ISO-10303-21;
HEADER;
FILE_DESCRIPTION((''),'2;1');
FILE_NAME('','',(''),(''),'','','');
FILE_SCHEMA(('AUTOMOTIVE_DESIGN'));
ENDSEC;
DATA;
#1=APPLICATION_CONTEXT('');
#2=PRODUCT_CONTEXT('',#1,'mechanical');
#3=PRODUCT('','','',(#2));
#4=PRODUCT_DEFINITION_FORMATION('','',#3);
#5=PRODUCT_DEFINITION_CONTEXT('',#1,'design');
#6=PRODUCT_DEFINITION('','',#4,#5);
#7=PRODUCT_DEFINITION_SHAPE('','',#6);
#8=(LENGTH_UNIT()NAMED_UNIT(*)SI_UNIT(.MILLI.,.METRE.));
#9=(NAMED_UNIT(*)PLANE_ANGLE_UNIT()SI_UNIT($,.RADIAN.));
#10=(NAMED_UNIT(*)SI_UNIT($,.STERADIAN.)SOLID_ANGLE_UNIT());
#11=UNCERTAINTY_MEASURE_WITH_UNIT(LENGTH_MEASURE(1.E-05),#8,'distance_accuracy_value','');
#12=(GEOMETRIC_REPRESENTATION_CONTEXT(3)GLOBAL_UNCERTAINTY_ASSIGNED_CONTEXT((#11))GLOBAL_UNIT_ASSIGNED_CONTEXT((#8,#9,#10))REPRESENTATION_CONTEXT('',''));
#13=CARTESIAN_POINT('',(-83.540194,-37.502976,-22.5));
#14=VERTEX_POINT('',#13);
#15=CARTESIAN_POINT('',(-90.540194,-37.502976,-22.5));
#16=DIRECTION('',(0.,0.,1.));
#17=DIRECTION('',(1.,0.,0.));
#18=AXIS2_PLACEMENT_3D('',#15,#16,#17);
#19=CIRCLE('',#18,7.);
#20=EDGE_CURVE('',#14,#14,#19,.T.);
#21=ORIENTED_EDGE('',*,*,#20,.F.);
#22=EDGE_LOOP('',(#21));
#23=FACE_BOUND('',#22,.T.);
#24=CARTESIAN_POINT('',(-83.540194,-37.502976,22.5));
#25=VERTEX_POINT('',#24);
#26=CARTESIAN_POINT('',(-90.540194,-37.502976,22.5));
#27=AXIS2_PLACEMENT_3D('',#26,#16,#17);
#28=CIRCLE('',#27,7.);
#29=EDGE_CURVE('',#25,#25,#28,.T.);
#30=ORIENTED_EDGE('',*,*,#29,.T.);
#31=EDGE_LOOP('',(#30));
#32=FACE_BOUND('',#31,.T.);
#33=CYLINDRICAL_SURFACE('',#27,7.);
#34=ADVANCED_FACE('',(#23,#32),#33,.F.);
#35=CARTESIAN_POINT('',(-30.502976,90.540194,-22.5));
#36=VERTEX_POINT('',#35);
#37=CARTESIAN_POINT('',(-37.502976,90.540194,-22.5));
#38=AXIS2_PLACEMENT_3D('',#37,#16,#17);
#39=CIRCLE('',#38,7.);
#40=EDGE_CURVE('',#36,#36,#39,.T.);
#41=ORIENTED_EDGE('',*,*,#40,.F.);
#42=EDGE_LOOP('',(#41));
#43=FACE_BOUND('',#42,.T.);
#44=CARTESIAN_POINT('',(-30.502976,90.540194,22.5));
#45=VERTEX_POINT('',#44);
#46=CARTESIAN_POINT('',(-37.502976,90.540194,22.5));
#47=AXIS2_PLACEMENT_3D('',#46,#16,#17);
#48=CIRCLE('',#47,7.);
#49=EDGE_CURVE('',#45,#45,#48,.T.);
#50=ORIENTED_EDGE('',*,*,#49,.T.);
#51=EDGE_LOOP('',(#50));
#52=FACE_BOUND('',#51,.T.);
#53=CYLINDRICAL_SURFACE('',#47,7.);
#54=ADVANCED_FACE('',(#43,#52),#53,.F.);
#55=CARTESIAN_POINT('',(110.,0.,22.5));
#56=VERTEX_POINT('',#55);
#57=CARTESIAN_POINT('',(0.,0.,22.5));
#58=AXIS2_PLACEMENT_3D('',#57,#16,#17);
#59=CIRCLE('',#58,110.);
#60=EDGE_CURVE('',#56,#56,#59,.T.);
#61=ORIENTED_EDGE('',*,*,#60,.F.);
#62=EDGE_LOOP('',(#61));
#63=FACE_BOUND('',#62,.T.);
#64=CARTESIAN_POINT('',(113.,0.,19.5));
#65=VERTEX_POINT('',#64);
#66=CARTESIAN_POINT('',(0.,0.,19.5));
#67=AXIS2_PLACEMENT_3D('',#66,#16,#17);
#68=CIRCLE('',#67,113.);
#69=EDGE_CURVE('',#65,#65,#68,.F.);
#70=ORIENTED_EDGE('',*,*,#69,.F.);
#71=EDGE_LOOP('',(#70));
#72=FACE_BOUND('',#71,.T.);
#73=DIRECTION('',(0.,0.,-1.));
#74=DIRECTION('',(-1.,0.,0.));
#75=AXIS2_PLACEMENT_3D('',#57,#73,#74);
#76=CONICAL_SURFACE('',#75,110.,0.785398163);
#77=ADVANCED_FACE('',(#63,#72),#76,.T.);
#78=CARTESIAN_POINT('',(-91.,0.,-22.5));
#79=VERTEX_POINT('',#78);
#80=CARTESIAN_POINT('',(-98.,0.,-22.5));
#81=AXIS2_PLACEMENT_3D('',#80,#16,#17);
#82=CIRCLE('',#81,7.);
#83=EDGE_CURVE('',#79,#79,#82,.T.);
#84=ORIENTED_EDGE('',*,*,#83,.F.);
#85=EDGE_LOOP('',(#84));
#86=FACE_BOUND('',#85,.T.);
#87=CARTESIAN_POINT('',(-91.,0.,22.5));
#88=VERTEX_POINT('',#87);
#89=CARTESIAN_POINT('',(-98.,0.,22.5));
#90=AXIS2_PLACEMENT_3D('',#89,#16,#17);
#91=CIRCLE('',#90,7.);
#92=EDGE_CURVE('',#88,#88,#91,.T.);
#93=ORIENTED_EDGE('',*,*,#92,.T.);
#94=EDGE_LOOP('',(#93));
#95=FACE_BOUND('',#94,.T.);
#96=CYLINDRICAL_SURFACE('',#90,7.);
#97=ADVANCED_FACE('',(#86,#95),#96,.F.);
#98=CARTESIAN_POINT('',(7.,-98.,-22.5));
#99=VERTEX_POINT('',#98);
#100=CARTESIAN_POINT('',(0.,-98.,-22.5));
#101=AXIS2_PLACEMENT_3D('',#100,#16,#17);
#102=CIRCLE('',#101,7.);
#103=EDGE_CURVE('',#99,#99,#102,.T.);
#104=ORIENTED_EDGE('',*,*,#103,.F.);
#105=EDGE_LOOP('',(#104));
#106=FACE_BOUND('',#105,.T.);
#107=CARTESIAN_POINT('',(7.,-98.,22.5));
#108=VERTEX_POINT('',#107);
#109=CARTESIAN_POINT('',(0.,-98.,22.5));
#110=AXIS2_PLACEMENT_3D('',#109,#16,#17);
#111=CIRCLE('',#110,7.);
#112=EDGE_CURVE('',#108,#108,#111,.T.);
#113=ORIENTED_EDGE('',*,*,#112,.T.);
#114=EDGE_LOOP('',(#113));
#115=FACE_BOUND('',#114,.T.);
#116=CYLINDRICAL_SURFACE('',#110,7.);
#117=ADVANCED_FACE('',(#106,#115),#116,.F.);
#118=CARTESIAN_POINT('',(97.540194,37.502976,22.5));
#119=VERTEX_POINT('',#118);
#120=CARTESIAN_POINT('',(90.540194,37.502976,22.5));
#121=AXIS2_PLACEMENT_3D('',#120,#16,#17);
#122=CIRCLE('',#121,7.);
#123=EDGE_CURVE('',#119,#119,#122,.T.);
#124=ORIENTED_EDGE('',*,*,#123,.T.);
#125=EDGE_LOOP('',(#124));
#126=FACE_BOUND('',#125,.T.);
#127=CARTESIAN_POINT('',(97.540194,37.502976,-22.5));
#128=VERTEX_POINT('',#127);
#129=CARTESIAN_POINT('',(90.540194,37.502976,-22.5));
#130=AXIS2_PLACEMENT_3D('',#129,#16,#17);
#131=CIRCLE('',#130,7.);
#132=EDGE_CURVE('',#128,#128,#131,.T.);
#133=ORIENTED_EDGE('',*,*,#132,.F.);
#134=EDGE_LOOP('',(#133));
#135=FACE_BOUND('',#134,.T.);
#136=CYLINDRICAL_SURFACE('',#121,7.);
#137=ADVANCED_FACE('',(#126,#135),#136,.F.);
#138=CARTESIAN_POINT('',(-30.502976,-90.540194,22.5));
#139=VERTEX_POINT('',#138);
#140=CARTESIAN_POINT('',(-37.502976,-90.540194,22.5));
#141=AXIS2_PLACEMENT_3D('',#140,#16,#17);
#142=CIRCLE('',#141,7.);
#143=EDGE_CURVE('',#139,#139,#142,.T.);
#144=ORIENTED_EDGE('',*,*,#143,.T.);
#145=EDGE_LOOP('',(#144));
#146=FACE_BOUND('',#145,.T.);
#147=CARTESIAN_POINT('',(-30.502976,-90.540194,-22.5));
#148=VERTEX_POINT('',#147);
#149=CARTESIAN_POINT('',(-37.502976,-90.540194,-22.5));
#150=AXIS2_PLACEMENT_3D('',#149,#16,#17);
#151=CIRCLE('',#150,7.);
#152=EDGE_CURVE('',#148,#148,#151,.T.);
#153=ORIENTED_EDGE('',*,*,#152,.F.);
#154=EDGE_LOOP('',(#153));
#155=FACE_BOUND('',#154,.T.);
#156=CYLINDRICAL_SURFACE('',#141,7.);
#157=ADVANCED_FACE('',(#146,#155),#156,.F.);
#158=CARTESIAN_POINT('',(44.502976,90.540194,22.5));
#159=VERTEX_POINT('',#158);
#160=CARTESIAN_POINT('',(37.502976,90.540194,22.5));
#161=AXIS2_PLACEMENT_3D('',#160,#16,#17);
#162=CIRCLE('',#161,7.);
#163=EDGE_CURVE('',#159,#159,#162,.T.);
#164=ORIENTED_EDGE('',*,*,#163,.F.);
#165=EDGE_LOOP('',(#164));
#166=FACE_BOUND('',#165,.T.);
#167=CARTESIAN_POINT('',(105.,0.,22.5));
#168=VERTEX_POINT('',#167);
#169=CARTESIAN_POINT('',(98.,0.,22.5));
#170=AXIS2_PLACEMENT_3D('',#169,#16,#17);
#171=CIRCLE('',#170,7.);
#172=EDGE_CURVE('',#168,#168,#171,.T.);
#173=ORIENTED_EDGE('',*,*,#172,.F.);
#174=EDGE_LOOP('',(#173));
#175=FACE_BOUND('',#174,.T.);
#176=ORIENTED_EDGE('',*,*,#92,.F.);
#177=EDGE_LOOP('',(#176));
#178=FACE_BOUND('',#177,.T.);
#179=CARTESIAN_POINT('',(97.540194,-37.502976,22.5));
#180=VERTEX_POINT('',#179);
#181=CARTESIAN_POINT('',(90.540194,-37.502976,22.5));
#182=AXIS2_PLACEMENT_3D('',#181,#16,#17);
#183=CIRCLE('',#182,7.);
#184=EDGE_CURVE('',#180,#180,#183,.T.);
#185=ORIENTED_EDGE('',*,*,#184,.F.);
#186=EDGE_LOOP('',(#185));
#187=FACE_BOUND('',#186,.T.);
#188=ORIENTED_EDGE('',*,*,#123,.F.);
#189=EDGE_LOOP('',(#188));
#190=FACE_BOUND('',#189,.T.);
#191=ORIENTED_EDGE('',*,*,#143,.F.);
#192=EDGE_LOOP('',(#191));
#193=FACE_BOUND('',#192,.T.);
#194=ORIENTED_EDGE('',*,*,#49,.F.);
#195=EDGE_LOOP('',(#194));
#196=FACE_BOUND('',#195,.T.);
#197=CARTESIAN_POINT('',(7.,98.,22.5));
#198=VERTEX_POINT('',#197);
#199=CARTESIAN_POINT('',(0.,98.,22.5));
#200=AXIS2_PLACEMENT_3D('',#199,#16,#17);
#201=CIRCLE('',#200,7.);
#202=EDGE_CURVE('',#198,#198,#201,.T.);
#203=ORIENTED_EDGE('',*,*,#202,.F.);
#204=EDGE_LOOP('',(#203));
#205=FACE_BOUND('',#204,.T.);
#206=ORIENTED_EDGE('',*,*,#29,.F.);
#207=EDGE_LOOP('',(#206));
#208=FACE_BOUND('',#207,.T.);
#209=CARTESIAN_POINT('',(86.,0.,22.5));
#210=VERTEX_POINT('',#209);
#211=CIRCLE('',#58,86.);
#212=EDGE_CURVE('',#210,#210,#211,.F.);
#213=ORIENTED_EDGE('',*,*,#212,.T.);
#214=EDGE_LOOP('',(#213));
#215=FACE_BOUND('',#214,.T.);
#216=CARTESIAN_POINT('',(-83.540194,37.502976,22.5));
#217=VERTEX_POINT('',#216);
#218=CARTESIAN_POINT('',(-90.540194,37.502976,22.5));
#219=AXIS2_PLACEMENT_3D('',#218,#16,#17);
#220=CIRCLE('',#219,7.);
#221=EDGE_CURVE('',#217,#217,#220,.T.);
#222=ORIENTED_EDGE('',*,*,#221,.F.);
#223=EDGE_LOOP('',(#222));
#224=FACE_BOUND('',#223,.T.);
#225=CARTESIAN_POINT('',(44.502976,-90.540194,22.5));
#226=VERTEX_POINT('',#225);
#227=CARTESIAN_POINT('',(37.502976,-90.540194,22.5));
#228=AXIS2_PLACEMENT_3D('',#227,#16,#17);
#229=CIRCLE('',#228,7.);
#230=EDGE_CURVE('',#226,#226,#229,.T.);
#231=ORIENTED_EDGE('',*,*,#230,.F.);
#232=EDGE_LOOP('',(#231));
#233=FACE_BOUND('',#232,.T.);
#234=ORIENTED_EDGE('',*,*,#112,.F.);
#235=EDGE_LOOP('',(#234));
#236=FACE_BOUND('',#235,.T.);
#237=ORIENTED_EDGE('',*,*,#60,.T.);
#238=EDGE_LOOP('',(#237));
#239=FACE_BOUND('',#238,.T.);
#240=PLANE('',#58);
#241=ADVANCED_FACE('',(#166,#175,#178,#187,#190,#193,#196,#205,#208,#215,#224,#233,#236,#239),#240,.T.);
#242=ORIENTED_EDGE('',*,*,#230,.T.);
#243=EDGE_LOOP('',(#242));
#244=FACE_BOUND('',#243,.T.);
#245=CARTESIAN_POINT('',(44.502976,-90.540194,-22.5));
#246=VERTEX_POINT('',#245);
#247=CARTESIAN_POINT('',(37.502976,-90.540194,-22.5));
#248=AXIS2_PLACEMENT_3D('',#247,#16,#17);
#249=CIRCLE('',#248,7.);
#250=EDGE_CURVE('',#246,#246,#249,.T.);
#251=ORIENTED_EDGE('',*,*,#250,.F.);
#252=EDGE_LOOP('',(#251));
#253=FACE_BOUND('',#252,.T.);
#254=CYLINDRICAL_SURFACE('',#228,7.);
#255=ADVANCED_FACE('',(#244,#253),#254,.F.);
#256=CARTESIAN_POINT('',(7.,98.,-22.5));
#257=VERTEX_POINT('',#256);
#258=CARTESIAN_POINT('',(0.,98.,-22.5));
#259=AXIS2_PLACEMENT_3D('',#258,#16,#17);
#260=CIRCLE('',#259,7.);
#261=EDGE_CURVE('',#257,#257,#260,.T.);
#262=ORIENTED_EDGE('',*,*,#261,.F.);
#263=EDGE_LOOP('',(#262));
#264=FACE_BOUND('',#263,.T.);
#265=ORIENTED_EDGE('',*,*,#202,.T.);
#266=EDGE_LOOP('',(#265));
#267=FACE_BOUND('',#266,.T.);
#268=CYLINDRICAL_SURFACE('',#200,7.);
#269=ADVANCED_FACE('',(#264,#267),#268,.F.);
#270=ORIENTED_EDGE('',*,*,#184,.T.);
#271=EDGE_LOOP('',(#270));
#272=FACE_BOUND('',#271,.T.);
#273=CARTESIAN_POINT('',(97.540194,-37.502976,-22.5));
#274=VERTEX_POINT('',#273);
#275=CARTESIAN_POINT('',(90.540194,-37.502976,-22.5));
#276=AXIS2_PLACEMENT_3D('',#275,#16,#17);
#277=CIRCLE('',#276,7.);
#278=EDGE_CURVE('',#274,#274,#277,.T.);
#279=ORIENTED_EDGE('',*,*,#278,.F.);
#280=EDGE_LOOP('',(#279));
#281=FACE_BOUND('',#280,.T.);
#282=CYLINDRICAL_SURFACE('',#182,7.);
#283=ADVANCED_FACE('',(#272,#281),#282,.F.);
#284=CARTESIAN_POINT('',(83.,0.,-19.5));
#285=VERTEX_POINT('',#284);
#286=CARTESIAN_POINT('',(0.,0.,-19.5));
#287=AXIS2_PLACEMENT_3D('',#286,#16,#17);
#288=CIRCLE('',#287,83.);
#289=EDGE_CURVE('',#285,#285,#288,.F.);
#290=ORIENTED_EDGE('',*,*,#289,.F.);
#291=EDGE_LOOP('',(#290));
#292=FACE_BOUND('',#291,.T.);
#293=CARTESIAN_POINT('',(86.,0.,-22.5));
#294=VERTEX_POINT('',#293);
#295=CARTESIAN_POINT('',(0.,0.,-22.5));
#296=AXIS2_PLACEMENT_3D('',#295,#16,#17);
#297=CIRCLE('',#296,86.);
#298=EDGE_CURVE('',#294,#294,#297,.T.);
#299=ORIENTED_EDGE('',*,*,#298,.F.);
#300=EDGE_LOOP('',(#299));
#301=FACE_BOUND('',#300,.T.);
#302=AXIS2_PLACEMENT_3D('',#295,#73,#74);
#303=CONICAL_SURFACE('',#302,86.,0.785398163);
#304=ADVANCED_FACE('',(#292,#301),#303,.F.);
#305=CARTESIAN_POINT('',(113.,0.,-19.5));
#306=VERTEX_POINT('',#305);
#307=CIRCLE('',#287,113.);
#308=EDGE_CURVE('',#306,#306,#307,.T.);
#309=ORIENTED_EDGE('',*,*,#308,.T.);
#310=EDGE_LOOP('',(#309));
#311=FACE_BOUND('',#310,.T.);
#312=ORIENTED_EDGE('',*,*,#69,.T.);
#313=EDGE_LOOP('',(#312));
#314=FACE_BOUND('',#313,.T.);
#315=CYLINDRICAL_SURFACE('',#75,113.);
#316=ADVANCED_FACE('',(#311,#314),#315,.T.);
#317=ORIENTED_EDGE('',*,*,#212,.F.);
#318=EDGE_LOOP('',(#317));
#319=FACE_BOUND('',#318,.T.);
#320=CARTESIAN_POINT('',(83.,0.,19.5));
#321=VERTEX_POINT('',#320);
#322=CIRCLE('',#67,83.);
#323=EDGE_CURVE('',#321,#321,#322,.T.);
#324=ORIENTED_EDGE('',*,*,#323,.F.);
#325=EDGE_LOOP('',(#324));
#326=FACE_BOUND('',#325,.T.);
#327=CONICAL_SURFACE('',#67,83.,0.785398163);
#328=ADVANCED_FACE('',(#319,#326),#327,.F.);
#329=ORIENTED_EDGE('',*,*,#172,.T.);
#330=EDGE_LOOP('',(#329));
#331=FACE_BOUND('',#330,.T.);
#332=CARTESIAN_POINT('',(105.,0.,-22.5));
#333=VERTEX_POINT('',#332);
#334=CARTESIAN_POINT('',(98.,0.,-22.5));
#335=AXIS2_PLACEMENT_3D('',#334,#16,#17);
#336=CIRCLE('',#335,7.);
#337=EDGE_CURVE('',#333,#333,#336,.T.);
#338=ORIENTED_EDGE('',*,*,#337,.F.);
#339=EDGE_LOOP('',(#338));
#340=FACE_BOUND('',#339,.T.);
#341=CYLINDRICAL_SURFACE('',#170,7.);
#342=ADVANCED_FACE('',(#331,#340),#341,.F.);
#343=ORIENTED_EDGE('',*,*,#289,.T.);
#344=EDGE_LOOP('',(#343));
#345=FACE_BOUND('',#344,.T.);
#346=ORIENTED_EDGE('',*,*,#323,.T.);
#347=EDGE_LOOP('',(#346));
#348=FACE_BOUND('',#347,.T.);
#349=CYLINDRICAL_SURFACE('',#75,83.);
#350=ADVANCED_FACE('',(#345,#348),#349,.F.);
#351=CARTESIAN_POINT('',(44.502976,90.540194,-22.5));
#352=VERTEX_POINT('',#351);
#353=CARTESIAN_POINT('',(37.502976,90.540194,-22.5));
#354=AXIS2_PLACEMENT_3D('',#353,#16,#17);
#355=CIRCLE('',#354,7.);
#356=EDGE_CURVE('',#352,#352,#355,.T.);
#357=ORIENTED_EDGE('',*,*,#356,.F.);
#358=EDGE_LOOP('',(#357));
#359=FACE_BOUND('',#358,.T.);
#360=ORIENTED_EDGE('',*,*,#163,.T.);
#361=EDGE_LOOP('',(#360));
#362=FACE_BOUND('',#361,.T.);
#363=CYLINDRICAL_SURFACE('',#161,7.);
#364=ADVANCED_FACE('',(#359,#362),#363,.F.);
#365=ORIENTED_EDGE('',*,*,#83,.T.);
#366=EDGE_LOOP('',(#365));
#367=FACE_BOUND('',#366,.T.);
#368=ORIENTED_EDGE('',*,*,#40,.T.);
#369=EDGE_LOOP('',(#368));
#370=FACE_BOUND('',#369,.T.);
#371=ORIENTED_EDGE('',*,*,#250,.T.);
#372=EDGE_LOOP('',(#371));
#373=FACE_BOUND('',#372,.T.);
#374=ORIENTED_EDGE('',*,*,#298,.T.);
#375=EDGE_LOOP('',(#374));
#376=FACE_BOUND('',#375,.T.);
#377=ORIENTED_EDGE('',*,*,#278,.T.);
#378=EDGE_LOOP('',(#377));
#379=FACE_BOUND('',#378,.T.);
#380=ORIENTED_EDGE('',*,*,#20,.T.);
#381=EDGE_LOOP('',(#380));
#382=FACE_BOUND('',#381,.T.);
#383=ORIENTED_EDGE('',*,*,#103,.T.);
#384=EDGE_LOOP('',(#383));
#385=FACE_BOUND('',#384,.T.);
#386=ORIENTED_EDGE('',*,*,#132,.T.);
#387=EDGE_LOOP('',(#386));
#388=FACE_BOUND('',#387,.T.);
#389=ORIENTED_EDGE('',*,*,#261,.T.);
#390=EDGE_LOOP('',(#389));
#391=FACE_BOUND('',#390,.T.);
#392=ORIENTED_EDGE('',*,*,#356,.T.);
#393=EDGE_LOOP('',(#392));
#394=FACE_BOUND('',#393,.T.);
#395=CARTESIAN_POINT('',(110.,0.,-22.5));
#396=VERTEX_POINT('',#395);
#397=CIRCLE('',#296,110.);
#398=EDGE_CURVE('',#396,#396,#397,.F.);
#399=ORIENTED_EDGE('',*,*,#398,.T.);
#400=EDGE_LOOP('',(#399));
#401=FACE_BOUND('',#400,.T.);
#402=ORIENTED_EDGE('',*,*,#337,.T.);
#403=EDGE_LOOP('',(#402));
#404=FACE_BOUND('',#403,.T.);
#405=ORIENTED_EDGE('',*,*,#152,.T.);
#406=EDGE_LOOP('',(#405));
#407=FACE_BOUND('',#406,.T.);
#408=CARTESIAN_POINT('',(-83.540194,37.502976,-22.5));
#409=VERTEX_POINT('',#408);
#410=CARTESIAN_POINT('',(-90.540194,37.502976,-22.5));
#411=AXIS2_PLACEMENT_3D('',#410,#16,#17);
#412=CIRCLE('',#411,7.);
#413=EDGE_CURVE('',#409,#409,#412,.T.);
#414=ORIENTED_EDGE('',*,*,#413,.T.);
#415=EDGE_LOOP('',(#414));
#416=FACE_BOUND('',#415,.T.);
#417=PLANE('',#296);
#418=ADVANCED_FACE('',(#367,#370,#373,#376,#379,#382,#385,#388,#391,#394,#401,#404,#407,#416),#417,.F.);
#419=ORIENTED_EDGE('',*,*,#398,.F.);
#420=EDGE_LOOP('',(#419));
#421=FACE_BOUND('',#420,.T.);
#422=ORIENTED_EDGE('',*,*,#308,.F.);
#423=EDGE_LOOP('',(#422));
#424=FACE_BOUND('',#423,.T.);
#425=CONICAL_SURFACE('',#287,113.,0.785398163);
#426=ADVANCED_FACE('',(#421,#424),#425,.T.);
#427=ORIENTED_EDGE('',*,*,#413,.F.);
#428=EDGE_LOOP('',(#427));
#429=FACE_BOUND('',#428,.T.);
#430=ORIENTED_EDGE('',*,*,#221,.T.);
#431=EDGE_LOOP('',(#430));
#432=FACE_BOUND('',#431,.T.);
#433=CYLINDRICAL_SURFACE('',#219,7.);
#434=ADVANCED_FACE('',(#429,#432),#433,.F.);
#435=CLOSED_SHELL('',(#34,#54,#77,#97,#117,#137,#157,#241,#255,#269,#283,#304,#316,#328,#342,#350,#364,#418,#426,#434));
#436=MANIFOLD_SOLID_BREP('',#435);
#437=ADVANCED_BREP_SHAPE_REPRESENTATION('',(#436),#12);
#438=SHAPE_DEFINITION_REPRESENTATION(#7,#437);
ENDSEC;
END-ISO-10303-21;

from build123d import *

# Parameters (mm, degrees)
SKETCH1_R              = 113
SKETCH1_R_2            = 83
BOSS_EXTRUDE1_DEPTH    = 22.5
CHAMFER1_SIZE          = 3
M16X2_0_TAPPED_HOLE1_D = 14
CIRPATTERN1_COUNT      = 4


with BuildPart() as part:
    # Sketch1 → Boss-Extrude1 (new body, symmetric)
    with BuildSketch(Plane.XY):
        Circle(SKETCH1_R)
        Circle(SKETCH1_R_2, mode=Mode.SUBTRACT)
    extrude(amount=BOSS_EXTRUDE1_DEPTH, both=True)

    # Chamfer1
    chamfer1_edges = [part.edges().sort_by_distance(p)[0] for p in [
        (-113, 0, -22.5),
        (-113, 0, 22.5),
        (-83, 0, -22.5),
        (-83, 0, 22.5),
    ]]
    chamfer(chamfer1_edges, length=CHAMFER1_SIZE)

    # M16x2.0 Tapped Hole1 (through all)
    with Locations(Plane.XY.offset(22.5)):
        with Locations((-37.502976372, 90.540194186), (37.502976372, 90.540194186), (0, 98)):
            m16x2_0_tapped_hole1 = Hole(M16X2_0_TAPPED_HOLE1_D / 2)

    # CirPattern1: M16x2.0 Tapped Hole1 ×4 about axis
    cirpattern1_axis = Axis((0, 0, 0), (0, 0, 1))
    for i in range(1, CIRPATTERN1_COUNT):
        add(m16x2_0_tapped_hole1.rotate(cirpattern1_axis, i * 360 / CIRPATTERN1_COUNT), mode=Mode.SUBTRACT)


solid = part.part
